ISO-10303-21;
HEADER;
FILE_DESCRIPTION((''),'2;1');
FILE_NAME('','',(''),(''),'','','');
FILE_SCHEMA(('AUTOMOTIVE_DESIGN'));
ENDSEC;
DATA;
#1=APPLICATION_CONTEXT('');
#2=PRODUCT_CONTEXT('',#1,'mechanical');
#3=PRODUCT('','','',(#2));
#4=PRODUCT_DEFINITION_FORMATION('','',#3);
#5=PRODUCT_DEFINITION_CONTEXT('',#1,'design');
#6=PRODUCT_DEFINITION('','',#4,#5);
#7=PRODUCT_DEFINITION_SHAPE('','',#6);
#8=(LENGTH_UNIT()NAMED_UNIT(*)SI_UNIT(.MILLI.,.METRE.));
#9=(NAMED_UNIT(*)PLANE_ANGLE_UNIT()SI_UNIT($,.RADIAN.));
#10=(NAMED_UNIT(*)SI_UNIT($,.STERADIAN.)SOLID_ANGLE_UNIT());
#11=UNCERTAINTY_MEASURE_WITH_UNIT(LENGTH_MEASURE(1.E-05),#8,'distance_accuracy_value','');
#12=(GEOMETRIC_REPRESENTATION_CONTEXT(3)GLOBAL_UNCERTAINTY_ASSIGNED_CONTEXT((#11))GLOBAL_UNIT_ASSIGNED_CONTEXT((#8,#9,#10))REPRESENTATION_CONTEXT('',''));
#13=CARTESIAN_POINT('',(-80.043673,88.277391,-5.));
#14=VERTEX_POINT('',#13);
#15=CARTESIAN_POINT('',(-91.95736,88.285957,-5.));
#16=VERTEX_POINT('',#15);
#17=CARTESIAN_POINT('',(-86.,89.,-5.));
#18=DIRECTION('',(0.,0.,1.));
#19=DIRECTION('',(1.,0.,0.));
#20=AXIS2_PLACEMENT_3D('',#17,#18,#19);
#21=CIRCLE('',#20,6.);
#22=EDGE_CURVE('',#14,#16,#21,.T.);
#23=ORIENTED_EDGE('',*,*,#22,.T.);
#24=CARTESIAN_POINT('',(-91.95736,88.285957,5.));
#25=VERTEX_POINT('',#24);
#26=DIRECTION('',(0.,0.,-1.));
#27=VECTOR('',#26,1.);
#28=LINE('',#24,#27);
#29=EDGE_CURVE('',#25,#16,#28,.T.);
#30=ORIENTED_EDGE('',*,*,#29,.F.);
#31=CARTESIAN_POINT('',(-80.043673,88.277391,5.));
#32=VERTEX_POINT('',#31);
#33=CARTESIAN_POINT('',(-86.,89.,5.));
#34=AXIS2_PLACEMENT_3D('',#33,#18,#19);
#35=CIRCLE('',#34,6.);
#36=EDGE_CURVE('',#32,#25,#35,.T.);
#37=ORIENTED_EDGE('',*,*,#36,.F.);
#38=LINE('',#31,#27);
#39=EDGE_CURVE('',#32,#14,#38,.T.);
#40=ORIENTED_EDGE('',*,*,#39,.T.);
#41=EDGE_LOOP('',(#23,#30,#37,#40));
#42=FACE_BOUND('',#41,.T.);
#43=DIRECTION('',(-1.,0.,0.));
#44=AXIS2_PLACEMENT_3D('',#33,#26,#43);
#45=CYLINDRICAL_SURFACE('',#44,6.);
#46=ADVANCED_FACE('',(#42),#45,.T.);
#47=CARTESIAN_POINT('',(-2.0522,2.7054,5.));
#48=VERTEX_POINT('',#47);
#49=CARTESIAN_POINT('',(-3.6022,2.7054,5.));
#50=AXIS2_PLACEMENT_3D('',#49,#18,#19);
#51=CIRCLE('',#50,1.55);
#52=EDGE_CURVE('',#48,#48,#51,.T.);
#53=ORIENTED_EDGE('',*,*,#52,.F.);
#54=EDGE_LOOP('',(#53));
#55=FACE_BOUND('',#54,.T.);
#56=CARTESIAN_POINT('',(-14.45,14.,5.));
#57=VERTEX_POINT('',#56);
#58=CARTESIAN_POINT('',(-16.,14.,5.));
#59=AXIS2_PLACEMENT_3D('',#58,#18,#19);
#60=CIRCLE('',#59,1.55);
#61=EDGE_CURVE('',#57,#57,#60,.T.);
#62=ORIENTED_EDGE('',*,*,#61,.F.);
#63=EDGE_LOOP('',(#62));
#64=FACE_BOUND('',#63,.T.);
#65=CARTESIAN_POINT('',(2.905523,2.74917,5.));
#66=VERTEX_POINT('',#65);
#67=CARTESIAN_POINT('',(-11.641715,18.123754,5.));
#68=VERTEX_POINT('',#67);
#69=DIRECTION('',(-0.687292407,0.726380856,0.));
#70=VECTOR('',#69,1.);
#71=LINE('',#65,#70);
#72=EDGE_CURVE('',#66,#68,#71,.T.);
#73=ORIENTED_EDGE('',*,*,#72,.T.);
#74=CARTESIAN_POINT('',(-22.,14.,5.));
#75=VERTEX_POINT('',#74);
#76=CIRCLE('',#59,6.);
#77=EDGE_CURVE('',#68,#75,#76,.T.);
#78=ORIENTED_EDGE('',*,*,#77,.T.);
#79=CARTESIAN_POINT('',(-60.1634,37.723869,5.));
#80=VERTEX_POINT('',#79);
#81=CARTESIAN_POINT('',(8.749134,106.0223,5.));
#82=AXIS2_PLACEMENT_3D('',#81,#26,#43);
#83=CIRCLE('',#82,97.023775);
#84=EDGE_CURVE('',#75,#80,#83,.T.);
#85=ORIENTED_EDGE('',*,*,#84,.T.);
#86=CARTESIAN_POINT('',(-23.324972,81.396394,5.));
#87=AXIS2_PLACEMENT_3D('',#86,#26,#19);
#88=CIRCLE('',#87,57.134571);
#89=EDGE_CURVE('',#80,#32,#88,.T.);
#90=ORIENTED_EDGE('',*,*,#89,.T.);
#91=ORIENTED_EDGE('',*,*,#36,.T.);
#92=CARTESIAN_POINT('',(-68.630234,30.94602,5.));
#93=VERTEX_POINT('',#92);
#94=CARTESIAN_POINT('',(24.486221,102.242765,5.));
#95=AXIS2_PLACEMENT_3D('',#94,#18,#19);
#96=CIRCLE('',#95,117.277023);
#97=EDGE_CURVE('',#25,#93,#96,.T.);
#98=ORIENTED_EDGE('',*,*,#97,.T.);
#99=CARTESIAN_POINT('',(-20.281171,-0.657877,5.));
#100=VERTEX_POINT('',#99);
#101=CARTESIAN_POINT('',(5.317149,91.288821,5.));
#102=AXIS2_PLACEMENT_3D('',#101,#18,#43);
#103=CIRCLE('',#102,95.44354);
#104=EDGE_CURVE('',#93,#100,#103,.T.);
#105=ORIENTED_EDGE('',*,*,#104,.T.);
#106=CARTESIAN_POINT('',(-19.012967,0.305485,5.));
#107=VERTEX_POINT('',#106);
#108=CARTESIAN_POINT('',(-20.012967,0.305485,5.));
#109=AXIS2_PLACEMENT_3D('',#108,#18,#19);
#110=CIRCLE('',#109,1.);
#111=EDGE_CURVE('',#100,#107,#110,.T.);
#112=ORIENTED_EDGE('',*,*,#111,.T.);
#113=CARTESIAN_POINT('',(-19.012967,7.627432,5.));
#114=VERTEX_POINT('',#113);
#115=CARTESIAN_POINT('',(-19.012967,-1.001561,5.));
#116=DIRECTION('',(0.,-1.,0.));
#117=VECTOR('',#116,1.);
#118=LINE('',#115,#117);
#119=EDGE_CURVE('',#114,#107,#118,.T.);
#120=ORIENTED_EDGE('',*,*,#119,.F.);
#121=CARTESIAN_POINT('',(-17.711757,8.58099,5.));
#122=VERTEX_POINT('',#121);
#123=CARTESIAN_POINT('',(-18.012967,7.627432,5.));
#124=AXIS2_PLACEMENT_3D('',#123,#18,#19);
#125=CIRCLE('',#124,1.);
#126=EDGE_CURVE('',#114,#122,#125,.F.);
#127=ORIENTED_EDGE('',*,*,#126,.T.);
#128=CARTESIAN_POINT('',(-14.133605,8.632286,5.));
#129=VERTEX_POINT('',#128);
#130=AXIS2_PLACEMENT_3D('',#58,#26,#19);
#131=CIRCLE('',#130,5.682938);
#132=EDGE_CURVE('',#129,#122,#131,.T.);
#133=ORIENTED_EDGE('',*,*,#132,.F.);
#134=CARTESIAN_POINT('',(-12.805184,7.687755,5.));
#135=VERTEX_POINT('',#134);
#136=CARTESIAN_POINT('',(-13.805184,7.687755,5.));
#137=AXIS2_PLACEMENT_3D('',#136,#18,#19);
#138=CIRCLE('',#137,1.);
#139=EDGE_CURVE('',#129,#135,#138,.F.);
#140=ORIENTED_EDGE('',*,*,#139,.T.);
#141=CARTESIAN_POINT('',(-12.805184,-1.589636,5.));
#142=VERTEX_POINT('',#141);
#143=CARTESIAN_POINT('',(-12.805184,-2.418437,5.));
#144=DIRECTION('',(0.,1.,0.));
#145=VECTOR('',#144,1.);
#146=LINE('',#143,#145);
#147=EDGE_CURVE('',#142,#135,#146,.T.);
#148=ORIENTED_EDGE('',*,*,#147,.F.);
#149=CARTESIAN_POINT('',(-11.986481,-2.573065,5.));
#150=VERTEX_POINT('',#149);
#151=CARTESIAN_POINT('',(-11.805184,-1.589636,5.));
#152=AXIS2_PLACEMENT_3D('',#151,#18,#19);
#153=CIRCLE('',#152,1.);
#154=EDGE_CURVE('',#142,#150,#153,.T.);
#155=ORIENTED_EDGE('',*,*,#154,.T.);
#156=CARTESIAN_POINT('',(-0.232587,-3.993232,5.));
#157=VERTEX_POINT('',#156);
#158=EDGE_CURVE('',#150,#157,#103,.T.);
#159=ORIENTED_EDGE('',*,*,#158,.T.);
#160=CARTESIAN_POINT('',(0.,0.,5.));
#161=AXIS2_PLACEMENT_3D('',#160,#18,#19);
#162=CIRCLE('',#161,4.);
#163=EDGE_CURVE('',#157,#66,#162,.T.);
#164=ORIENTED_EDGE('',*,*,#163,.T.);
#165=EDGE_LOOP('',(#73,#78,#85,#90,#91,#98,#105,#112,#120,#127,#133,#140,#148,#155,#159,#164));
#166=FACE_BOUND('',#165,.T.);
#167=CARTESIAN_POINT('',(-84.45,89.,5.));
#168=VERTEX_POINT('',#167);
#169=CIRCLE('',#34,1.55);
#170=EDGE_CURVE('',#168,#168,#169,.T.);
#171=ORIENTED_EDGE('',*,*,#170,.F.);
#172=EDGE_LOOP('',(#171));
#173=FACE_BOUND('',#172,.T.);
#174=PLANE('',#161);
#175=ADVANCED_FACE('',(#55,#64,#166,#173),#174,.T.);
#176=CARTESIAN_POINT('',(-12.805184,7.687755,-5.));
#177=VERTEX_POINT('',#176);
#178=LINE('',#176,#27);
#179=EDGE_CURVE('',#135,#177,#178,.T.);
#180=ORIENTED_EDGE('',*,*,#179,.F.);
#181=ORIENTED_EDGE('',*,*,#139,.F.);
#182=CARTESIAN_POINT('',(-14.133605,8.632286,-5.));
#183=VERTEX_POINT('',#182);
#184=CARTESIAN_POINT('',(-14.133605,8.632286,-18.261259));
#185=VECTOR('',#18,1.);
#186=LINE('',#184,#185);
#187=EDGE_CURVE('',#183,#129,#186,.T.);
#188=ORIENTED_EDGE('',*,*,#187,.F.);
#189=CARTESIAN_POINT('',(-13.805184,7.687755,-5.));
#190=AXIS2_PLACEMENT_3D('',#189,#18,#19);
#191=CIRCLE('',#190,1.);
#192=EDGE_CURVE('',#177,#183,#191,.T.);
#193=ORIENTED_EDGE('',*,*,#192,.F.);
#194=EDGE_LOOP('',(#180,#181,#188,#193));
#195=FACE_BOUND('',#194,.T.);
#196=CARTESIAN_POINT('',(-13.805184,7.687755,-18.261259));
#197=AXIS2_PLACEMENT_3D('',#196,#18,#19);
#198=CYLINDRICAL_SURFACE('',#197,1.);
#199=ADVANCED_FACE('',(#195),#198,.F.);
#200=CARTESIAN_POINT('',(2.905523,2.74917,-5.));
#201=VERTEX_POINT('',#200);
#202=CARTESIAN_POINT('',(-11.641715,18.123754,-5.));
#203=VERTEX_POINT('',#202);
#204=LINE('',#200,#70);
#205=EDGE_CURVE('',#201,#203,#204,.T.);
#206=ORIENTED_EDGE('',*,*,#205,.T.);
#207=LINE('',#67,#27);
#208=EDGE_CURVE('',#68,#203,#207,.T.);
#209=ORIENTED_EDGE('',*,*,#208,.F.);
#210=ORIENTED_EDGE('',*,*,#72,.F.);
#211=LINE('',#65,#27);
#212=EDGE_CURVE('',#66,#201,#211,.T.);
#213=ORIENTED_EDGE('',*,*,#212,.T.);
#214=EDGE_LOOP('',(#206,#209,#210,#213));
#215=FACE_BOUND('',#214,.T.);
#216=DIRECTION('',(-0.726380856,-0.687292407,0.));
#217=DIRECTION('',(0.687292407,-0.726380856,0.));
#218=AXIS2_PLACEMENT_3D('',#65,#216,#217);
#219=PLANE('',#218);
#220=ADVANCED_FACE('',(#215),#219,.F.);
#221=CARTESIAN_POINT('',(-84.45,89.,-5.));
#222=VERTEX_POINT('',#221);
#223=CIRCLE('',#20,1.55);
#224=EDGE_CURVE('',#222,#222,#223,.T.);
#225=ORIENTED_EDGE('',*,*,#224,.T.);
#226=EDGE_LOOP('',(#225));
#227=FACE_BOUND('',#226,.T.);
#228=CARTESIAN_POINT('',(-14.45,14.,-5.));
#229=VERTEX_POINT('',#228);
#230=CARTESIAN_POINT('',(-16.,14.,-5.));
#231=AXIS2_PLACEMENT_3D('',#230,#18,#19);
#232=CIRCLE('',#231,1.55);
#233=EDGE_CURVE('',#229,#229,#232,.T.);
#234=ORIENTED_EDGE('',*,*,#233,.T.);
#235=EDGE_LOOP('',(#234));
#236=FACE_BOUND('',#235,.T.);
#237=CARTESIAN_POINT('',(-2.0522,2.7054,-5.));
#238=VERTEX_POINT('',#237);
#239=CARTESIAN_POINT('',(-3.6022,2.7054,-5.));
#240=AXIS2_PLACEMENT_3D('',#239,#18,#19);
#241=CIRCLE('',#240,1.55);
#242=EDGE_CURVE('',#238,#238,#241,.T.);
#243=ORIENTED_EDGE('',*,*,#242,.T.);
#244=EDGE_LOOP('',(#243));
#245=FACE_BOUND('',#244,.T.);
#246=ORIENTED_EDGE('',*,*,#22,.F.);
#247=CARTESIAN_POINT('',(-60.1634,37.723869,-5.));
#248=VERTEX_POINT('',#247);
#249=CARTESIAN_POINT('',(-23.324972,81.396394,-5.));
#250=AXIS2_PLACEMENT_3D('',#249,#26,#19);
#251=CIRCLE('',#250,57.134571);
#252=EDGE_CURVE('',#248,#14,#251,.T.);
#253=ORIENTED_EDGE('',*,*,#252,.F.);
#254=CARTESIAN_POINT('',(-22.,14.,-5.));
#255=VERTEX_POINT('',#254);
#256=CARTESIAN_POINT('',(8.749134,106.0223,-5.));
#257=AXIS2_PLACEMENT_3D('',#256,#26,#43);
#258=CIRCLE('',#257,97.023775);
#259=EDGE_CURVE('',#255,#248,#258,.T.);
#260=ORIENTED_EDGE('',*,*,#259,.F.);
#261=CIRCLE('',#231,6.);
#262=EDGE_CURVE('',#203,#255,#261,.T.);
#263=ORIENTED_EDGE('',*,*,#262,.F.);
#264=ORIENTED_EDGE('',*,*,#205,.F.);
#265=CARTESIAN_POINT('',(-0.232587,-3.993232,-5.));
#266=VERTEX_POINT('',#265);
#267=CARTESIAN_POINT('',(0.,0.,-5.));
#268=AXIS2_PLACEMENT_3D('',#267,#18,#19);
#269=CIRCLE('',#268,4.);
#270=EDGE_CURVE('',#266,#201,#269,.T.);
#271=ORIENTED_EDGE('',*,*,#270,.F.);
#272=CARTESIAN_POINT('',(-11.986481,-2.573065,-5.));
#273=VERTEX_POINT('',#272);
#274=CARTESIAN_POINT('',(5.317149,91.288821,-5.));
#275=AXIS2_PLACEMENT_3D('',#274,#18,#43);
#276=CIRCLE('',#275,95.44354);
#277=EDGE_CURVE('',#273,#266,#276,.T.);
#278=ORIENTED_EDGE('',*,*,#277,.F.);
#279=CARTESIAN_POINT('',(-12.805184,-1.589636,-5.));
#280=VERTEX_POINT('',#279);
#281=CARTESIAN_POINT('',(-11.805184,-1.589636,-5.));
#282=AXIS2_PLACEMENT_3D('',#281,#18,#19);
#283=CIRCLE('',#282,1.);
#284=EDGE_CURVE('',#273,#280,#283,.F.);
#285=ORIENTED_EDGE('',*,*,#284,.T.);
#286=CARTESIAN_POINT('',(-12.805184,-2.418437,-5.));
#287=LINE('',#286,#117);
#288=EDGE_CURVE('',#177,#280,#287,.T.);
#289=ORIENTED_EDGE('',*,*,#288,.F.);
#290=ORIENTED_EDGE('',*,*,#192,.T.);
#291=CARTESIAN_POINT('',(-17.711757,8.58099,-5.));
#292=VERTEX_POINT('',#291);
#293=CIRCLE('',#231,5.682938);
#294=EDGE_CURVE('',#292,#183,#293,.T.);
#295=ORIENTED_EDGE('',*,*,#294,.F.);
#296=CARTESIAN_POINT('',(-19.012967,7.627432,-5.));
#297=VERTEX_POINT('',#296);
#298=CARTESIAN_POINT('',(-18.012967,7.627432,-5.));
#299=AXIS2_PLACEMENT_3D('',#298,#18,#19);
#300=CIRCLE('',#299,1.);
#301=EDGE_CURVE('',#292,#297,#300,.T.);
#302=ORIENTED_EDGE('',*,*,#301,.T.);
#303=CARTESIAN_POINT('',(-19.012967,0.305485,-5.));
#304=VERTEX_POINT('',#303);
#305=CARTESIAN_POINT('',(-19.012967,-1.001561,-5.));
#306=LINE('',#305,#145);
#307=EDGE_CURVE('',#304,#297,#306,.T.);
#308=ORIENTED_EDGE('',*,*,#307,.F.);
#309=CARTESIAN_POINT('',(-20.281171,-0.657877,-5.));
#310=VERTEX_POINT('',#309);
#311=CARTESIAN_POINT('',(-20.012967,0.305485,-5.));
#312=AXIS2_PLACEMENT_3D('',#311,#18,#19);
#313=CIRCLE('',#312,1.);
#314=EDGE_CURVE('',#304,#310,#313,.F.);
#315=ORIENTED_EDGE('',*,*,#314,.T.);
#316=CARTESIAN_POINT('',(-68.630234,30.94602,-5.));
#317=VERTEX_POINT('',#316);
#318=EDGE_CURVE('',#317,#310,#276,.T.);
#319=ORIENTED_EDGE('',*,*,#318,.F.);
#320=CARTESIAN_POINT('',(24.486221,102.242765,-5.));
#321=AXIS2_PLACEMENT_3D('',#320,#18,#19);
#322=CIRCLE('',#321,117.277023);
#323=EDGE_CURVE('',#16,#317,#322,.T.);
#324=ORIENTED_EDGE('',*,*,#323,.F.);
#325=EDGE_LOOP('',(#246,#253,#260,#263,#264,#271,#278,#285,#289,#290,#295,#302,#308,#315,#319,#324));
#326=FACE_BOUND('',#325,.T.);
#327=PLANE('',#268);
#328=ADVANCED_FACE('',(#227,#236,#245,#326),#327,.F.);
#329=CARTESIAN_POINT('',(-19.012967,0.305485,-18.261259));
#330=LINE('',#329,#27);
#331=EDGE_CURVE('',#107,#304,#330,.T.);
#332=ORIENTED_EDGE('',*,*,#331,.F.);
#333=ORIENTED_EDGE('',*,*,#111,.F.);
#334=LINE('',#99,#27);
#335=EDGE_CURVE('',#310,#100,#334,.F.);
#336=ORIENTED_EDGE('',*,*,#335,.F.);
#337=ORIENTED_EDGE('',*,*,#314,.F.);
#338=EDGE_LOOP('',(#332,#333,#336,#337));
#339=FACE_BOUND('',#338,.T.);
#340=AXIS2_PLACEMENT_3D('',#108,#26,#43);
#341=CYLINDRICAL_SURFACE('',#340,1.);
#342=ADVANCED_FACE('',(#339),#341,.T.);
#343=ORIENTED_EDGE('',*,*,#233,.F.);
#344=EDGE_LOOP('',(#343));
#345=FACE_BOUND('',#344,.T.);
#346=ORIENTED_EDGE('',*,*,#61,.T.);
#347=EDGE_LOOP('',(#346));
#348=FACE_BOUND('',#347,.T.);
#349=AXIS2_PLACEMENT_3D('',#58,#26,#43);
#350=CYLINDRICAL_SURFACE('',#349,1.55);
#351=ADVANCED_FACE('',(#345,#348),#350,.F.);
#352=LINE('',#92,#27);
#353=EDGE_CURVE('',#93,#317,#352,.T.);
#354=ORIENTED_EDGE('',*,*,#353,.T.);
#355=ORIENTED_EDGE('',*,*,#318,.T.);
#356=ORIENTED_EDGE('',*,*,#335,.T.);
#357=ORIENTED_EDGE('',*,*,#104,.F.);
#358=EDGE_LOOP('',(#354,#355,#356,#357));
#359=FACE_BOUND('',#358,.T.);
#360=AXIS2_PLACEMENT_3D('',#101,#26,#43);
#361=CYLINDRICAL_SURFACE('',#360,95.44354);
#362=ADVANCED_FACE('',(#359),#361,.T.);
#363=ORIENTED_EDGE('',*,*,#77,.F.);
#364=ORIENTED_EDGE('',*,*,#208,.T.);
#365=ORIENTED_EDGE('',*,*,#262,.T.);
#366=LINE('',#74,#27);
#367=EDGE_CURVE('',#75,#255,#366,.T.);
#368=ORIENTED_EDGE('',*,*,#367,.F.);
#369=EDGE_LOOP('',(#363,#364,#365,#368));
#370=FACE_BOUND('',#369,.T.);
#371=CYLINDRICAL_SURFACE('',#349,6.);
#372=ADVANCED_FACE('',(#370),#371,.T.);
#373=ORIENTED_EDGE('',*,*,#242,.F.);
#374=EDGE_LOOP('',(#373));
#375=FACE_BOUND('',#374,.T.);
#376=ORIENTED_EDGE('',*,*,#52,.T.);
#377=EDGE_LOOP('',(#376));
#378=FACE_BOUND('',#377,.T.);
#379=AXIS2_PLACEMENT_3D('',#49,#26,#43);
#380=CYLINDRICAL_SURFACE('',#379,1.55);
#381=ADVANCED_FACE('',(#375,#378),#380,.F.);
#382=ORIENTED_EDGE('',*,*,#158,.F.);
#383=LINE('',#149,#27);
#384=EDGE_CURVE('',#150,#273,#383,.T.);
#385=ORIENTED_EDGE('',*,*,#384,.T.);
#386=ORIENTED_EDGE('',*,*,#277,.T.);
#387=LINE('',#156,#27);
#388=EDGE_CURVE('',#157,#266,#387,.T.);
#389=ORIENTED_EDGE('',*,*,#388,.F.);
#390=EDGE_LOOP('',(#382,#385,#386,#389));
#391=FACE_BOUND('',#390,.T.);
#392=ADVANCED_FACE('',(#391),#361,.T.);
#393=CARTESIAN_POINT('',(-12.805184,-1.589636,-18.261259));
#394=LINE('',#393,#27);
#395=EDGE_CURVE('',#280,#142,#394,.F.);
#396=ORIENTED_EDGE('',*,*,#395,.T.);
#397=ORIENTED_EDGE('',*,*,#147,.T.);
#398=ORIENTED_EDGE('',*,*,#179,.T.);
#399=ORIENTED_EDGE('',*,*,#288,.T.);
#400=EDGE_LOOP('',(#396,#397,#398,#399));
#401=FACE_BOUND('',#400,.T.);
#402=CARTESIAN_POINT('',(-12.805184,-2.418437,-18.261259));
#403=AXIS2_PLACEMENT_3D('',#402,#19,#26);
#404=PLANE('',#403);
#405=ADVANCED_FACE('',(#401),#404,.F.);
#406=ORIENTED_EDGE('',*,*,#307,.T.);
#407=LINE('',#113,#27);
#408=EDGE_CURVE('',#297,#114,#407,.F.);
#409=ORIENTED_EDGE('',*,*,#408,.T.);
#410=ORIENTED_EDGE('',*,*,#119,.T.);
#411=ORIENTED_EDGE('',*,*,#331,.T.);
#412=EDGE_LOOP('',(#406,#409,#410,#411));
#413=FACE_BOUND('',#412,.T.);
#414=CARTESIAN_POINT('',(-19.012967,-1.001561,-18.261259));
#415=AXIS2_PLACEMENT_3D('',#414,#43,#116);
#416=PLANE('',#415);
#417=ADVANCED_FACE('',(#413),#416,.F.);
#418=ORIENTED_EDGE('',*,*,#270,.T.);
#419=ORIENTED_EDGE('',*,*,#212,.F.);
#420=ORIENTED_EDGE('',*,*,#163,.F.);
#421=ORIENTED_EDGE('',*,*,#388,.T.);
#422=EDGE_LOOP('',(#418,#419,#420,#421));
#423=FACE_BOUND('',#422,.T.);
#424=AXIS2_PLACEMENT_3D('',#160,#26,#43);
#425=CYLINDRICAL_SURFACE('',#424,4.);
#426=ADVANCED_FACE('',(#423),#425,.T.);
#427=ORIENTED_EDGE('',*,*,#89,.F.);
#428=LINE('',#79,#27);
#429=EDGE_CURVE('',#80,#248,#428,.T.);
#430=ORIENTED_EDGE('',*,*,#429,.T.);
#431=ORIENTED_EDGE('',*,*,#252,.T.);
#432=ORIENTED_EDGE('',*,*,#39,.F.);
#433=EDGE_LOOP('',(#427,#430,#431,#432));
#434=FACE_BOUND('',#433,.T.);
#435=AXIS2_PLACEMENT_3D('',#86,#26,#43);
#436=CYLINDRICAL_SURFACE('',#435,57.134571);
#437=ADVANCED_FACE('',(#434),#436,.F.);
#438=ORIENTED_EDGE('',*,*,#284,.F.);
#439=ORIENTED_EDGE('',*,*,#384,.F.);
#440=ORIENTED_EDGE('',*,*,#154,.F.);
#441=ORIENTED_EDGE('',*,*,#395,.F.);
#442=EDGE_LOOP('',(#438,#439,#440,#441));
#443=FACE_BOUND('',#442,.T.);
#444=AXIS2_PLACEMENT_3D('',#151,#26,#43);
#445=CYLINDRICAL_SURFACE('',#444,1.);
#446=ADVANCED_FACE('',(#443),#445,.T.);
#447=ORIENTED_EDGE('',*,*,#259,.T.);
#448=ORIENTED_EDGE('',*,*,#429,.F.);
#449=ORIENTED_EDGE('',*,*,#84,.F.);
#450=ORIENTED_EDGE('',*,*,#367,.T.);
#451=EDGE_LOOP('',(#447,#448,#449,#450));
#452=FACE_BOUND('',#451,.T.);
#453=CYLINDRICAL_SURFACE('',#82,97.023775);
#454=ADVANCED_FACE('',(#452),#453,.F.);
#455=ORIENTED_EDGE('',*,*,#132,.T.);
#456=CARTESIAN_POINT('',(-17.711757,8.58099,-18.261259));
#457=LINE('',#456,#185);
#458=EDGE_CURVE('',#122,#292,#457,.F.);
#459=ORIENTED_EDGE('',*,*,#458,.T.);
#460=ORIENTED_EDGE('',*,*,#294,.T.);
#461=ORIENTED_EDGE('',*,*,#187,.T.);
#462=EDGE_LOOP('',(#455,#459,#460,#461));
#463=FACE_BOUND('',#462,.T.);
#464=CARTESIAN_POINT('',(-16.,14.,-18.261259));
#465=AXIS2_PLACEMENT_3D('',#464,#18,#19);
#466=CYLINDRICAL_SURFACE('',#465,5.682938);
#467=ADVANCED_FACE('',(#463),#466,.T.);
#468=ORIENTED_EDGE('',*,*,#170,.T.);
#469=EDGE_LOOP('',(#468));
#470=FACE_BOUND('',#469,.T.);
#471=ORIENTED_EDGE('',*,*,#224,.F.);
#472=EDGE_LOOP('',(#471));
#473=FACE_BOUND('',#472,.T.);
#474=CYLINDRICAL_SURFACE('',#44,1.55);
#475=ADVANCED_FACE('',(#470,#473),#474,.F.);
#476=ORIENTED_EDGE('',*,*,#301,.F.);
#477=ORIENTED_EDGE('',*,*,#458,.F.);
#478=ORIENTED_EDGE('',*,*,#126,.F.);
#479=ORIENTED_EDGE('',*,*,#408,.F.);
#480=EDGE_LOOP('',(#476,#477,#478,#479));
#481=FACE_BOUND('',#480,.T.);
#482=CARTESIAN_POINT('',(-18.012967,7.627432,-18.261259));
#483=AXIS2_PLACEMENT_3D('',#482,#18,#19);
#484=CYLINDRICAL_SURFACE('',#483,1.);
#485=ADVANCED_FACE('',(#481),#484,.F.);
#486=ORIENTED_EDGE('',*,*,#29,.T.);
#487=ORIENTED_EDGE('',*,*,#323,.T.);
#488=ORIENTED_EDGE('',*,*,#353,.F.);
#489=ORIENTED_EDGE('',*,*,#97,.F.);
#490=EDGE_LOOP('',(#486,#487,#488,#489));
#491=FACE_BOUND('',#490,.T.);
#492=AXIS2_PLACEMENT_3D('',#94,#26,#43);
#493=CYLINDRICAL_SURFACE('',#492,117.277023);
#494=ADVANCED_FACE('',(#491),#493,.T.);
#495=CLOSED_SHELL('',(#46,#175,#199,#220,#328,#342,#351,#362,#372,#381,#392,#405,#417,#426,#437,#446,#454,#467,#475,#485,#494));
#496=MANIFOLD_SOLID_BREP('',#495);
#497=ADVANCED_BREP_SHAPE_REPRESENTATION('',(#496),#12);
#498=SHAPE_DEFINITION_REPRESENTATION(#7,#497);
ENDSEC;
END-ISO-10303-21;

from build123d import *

# Parameters (mm, degrees)
BOSS_EXTRUDE1_DEPTH      = 5
BOSS_EXTRUDE1_DEPTH_BACK = 5
SKETCH2_R                = 1.55
CUT_EXTRUDE1_START       = -10
CUT_EXTRUDE1_DEPTH       = 10
FILLET1_R                = 1


with BuildPart() as part:
    # Sketch2 → Boss-Extrude1 (new, two sides: drawn at the far end of the back side and taken through both)
    with BuildSketch(Plane.XY.offset(-BOSS_EXTRUDE1_DEPTH_BACK)):
        with BuildLine():
            Line((2.905523423, 2.749169627), (-11.641714865, 18.12375444))
            ThreePointArc((-11.641714865, 18.12375444), (-18.21926668, 19.574482524), (-22, 14))
            ThreePointArc((-22, 14), (-42.474078457, 23.622085), (-60.163399658, 37.723869421))
            ThreePointArc((-60.163399658, 37.723869421), (-76.495910352, 60.486816081), (-80.043672644, 88.277390543))
            ThreePointArc((-80.043672644, 88.277390543), (-85.99568578, 94.999998449), (-91.957360362, 88.285956923))
            ThreePointArc((-91.957360362, 88.285956923), (-84.145355247, 58.049091263), (-68.630234445, 30.946019566))
            ThreePointArc((-68.630234445, 30.946019566), (-38.101001964, 6.292742427), (-0.232587209, -3.993232173))
            ThreePointArc((-0.232587209, -3.993232173), (3.626450401, -1.687855885), (2.905523423, 2.749169627))
        make_face()
        with Locations((-86, 89)):
            Circle(SKETCH2_R, mode=Mode.SUBTRACT)
        with Locations((-16, 14)):
            Circle(SKETCH2_R, mode=Mode.SUBTRACT)
        with Locations((-3.6022, 2.7054)):
            Circle(SKETCH2_R, mode=Mode.SUBTRACT)
    extrude(amount=BOSS_EXTRUDE1_DEPTH + BOSS_EXTRUDE1_DEPTH_BACK)

    # Sketch3 → Cut-Extrude1 (cut)
    with BuildSketch(Plane.XY.offset(5).offset(CUT_EXTRUDE1_START)):
        with BuildLine():
            Line((-19.012966708, -1.001561409), (-19.012966708, 9.18151319))
            ThreePointArc((-19.012966708, 9.18151319), (-15.891446961, 8.318098931), (-12.805184231, 9.300113222))
            Line((-12.805184231, 9.300113222), (-12.805184231, -2.418437298))
            ThreePointArc((-12.805184231, -2.418437298), (-15.920894449, -1.76178205), (-19.012966708, -1.001561409))
        make_face()
    extrude(amount=CUT_EXTRUDE1_DEPTH, mode=Mode.SUBTRACT)

    # Fillet1
    fillet1_edges = [part.edges().sort_by_distance(p)[0] for p in [
        (-12.805184231, -2.418437298, 0),
        (-19.012966708, -1.001561409, 0),
        (-19.012966708, 9.18151319, 0),
        (-12.805184231, 9.300113222, 0),
    ]]
    fillet(fillet1_edges, radius=FILLET1_R)


solid = part.part
